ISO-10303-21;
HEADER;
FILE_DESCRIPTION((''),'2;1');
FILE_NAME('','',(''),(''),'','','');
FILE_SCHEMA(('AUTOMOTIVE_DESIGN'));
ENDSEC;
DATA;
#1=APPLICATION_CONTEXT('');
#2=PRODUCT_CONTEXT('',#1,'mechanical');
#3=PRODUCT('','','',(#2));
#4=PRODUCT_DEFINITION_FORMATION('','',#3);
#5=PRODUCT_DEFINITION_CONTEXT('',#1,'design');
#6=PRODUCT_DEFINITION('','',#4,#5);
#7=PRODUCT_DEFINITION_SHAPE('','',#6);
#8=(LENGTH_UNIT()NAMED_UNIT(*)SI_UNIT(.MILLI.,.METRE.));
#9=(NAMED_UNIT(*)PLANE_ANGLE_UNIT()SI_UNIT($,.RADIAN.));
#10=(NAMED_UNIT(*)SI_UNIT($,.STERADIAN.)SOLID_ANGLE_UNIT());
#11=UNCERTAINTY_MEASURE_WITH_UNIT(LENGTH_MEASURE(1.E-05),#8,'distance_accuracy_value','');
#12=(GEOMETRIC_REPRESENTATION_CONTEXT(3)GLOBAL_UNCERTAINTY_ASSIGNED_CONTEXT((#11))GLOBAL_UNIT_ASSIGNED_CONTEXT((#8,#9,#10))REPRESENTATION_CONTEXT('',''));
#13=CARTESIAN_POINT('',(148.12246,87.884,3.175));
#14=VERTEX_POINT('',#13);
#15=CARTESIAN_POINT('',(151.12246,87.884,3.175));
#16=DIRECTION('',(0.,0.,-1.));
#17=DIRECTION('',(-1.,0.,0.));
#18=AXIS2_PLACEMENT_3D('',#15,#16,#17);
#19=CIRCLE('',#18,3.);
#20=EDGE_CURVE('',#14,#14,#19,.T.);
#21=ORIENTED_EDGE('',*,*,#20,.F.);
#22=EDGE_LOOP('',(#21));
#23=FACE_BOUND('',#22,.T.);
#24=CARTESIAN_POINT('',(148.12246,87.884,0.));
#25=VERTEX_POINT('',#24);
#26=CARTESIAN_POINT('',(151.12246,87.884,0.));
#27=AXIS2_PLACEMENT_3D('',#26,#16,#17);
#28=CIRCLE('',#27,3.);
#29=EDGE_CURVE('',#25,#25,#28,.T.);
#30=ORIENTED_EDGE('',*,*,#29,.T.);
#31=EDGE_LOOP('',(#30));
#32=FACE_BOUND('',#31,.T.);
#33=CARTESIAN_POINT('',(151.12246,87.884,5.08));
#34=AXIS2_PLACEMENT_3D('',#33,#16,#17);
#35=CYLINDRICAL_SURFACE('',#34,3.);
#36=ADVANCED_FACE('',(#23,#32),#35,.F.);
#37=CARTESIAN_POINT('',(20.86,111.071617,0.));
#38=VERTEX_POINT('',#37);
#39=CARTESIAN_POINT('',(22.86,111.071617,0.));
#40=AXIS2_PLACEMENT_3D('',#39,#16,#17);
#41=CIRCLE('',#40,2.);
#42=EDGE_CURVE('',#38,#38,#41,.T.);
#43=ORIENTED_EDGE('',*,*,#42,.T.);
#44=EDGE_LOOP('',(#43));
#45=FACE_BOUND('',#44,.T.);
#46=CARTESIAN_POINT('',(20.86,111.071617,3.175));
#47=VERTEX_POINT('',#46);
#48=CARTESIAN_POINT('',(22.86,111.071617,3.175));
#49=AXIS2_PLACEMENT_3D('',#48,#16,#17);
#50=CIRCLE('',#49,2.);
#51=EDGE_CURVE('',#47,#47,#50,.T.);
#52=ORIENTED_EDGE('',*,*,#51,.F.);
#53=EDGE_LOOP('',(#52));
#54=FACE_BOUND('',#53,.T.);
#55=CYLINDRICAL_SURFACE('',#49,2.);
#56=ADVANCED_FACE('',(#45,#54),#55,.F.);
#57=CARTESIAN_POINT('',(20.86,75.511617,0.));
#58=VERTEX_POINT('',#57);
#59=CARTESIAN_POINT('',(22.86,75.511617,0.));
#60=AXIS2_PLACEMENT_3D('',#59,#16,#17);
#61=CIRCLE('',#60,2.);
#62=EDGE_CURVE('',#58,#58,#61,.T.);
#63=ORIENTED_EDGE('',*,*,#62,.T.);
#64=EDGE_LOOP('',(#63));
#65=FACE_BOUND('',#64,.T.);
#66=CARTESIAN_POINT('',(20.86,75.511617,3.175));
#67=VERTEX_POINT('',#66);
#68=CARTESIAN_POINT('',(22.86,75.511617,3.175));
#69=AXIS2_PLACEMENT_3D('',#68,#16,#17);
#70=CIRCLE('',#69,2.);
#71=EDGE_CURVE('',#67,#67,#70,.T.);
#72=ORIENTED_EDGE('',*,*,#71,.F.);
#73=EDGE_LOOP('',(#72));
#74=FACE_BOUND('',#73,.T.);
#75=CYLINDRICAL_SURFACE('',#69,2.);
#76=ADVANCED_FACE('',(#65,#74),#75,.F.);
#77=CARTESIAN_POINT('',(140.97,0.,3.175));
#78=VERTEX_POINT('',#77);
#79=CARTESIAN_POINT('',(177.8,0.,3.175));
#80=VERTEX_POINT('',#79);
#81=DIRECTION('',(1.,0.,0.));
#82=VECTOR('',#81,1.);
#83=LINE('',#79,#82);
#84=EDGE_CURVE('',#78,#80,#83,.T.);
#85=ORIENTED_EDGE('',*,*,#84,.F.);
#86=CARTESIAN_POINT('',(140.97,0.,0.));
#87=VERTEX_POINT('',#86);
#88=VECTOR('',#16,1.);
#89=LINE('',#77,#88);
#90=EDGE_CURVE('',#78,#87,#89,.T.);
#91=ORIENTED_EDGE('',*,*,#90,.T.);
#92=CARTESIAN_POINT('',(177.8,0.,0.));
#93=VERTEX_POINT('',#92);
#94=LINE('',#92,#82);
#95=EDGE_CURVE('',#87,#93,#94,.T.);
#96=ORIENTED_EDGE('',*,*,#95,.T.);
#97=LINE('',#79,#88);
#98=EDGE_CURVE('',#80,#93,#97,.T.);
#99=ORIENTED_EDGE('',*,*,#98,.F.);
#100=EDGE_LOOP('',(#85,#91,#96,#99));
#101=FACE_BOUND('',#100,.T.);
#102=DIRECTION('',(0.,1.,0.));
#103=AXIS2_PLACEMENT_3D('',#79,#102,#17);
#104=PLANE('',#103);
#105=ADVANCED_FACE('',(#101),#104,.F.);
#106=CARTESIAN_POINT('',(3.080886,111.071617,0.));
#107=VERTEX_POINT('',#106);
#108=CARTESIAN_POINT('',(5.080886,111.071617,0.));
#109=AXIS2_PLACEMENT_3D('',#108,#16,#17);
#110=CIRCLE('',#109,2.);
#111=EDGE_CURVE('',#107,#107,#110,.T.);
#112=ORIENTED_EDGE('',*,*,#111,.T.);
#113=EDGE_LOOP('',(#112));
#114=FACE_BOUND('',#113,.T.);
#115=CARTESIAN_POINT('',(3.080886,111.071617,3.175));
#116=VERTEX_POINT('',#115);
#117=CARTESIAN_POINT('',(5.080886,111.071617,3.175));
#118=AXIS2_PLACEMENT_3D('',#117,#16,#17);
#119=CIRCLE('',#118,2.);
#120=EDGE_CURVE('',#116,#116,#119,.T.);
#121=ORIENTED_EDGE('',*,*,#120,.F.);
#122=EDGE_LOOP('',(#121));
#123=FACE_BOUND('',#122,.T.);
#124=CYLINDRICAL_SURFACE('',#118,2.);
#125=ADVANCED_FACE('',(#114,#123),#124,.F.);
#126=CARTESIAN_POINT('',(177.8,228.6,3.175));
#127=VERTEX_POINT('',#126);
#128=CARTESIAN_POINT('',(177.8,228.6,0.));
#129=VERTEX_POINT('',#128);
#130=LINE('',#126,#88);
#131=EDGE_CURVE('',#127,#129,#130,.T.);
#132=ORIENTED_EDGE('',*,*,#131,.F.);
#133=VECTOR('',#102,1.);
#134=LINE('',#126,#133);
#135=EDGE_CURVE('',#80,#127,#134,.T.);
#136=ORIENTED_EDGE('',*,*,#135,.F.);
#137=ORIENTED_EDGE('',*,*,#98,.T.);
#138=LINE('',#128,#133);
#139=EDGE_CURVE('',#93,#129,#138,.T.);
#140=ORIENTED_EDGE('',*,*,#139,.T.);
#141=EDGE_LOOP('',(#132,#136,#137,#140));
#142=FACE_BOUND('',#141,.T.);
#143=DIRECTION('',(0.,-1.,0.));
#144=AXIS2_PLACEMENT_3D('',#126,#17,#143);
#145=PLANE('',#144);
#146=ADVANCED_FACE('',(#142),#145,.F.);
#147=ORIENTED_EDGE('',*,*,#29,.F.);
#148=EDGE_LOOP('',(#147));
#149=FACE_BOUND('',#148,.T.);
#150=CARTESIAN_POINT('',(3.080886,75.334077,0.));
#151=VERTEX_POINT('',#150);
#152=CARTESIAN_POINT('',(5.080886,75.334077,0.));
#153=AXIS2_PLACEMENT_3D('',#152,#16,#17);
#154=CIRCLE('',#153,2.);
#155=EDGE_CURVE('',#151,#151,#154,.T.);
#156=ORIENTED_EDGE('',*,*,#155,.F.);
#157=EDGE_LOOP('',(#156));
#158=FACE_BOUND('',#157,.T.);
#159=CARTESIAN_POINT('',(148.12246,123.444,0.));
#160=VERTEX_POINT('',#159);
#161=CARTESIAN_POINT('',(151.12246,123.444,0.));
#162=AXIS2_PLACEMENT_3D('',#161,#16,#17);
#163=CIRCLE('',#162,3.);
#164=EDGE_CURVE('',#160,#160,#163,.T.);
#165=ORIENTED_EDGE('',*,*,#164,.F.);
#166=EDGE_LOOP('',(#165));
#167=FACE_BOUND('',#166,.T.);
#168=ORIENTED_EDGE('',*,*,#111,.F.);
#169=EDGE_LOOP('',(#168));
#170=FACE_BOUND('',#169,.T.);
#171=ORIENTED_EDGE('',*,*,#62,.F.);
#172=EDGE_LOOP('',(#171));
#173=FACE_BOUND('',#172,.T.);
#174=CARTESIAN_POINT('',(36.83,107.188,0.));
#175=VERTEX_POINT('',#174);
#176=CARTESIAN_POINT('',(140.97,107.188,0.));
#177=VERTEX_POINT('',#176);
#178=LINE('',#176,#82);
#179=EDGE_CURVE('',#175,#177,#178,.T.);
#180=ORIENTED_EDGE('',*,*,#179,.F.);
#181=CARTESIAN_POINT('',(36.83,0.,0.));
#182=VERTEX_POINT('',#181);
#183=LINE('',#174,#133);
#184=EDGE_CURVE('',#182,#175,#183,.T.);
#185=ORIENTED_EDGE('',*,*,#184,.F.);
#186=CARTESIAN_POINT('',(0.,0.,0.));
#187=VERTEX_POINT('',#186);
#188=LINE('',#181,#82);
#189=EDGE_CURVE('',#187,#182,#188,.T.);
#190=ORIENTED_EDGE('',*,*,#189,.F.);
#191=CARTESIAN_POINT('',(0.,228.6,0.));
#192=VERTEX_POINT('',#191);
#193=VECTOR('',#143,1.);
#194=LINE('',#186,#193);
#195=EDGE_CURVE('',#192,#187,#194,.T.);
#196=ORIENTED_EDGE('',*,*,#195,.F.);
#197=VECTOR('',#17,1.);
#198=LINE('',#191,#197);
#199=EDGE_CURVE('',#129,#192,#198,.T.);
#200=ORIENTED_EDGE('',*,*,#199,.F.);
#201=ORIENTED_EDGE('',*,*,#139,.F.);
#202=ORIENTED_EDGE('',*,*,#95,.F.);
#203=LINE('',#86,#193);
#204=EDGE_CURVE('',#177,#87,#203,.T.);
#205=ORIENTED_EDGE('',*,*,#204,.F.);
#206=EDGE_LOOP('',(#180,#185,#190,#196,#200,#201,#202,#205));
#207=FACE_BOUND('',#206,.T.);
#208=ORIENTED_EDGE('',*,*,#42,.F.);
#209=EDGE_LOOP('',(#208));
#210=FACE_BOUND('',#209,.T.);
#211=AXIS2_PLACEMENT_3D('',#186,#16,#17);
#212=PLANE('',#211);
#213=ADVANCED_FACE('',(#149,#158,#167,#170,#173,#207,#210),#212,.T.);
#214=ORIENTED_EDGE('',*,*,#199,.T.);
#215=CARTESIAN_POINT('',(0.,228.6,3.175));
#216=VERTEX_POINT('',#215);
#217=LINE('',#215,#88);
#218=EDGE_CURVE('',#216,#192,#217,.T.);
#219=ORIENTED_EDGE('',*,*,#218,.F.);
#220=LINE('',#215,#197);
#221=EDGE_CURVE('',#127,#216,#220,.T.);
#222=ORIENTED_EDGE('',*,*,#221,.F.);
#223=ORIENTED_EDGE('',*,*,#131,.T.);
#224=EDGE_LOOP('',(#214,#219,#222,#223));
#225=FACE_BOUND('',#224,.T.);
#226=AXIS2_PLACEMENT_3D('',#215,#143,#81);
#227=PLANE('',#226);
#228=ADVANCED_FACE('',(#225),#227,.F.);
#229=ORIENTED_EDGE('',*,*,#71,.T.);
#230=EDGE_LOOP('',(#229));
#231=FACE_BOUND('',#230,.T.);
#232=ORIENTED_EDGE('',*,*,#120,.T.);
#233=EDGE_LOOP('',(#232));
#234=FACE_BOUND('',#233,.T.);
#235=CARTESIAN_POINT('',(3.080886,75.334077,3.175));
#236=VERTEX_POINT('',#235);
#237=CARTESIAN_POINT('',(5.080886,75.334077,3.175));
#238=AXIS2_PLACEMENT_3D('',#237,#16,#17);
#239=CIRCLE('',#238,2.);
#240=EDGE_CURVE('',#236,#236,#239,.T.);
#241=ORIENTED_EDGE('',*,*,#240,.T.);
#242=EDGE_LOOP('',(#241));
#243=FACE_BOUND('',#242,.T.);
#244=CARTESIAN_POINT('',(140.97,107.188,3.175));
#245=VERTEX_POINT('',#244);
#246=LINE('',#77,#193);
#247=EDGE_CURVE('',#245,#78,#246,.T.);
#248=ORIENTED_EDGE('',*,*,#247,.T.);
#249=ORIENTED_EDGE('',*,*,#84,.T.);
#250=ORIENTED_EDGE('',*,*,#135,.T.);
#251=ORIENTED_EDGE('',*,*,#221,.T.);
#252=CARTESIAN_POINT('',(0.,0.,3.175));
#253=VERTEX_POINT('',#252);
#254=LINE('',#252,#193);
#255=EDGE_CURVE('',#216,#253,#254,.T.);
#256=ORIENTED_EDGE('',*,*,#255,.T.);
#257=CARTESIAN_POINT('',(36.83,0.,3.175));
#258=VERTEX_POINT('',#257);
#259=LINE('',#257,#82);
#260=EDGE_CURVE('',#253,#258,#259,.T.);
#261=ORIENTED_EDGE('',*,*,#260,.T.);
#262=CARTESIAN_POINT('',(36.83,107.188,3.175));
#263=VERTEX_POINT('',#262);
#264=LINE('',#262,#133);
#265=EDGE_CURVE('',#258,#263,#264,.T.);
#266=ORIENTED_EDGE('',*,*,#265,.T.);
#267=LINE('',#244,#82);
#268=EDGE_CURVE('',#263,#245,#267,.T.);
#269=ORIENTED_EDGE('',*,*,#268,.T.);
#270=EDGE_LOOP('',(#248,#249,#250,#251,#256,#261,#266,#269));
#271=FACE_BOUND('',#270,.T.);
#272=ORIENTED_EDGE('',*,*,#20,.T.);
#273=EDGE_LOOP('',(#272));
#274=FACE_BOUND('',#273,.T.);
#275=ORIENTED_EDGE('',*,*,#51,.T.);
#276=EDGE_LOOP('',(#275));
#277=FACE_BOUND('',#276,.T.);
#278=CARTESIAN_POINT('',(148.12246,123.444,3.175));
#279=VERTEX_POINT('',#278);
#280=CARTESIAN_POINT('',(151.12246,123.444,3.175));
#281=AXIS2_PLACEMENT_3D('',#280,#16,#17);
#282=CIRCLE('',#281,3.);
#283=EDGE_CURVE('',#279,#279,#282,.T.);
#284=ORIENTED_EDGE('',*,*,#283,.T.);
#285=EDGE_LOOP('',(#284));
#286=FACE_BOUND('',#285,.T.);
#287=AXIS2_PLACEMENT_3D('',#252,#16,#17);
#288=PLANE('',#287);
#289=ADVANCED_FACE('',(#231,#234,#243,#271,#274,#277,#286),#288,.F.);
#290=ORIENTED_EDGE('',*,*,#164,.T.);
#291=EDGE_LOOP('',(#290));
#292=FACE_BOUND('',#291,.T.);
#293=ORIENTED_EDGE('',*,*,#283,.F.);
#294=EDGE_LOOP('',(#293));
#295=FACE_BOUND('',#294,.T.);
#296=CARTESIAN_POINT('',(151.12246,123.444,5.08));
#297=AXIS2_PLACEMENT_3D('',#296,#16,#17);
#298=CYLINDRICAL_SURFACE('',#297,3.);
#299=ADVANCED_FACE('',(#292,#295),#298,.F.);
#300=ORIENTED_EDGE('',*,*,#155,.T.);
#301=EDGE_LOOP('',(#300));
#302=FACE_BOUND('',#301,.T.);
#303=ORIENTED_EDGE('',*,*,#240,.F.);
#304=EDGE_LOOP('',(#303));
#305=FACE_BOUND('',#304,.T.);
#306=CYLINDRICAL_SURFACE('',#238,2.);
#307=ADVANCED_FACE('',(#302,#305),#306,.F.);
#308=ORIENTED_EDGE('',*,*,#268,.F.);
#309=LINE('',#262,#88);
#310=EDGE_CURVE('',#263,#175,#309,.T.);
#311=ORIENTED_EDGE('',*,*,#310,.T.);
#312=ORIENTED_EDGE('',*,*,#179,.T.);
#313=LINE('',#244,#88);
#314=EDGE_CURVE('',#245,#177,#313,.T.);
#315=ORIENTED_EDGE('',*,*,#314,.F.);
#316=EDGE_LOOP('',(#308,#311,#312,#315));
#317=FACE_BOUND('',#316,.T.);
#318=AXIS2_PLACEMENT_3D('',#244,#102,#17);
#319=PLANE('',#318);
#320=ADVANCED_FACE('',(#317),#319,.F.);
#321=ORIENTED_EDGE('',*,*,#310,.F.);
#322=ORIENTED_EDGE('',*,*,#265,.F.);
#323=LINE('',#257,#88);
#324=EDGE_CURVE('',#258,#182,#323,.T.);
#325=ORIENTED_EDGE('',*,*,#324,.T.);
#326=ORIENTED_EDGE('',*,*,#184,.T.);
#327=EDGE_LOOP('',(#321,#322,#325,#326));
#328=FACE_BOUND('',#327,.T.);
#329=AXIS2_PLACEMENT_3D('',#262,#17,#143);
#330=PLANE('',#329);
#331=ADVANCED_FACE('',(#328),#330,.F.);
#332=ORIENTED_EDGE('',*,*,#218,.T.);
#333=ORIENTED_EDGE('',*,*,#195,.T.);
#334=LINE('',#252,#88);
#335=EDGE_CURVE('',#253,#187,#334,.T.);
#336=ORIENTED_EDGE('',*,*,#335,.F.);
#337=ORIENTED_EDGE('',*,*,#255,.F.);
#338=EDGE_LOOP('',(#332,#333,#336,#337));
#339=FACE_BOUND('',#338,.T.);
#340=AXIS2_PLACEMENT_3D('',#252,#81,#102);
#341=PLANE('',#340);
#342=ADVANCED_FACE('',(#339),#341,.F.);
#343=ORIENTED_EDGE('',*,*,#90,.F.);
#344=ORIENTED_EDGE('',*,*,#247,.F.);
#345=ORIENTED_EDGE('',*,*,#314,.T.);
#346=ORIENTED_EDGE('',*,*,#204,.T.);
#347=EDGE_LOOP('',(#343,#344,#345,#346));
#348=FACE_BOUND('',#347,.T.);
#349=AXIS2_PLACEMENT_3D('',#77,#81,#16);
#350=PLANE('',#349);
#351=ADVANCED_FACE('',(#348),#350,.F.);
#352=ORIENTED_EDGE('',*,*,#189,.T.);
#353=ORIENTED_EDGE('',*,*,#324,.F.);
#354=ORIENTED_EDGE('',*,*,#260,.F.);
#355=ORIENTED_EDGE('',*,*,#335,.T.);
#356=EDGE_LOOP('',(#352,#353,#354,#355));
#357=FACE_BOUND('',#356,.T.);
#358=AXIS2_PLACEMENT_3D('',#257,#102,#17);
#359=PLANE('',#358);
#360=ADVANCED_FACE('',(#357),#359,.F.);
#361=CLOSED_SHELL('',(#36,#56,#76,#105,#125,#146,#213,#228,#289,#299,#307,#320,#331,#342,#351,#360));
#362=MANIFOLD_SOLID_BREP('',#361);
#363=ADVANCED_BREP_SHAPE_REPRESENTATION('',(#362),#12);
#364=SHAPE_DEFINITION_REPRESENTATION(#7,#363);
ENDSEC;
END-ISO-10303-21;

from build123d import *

# Parameters (mm, degrees)
BOSS_EXTRUDE1_DEPTH = 3.175
SKETCH2_R           = 2
CUT_EXTRUDE1_DEPTH  = 3.175
SKETCH3_R           = 3
CUT_EXTRUDE2_DEPTH  = 5.08


with BuildPart() as part:
    # Sketch1 → Boss-Extrude1 (new body)
    with BuildSketch(Plane.XY):
        Polygon((0, 0), (0, 228.6), (177.8, 228.6), (177.8, 0), (140.97, 0), (140.97, 107.188), (36.83, 107.188), (36.83, 0), align=None)
    extrude(amount=BOSS_EXTRUDE1_DEPTH)

    # Sketch2 → Cut-Extrude1 (cut)
    with BuildSketch(Plane(origin=(0, 0, 0), x_dir=(-1, 0, 0), z_dir=(0, 0, -1))):
        with Locations((-22.86, 111.071616712)):
            Circle(SKETCH2_R)
        with Locations((-5.080886425, 111.071616712)):
            Circle(SKETCH2_R)
        with Locations((-22.86, 75.511616712)):
            Circle(SKETCH2_R)
        with Locations((-5.080886425, 75.334076645)):
            Circle(SKETCH2_R)
    extrude(amount=-CUT_EXTRUDE1_DEPTH, mode=Mode.SUBTRACT)

    # Sketch3 → Cut-Extrude2 (cut)
    with BuildSketch(Plane(origin=(0, 0, 0), x_dir=(-1, 0, 0), z_dir=(0, 0, -1))):
        with Locations((-151.12245979, 123.444)):
            Circle(SKETCH3_R)
        with Locations((-151.12245979, 87.884)):
            Circle(SKETCH3_R)
    extrude(amount=-CUT_EXTRUDE2_DEPTH, mode=Mode.SUBTRACT)


solid = part.part
